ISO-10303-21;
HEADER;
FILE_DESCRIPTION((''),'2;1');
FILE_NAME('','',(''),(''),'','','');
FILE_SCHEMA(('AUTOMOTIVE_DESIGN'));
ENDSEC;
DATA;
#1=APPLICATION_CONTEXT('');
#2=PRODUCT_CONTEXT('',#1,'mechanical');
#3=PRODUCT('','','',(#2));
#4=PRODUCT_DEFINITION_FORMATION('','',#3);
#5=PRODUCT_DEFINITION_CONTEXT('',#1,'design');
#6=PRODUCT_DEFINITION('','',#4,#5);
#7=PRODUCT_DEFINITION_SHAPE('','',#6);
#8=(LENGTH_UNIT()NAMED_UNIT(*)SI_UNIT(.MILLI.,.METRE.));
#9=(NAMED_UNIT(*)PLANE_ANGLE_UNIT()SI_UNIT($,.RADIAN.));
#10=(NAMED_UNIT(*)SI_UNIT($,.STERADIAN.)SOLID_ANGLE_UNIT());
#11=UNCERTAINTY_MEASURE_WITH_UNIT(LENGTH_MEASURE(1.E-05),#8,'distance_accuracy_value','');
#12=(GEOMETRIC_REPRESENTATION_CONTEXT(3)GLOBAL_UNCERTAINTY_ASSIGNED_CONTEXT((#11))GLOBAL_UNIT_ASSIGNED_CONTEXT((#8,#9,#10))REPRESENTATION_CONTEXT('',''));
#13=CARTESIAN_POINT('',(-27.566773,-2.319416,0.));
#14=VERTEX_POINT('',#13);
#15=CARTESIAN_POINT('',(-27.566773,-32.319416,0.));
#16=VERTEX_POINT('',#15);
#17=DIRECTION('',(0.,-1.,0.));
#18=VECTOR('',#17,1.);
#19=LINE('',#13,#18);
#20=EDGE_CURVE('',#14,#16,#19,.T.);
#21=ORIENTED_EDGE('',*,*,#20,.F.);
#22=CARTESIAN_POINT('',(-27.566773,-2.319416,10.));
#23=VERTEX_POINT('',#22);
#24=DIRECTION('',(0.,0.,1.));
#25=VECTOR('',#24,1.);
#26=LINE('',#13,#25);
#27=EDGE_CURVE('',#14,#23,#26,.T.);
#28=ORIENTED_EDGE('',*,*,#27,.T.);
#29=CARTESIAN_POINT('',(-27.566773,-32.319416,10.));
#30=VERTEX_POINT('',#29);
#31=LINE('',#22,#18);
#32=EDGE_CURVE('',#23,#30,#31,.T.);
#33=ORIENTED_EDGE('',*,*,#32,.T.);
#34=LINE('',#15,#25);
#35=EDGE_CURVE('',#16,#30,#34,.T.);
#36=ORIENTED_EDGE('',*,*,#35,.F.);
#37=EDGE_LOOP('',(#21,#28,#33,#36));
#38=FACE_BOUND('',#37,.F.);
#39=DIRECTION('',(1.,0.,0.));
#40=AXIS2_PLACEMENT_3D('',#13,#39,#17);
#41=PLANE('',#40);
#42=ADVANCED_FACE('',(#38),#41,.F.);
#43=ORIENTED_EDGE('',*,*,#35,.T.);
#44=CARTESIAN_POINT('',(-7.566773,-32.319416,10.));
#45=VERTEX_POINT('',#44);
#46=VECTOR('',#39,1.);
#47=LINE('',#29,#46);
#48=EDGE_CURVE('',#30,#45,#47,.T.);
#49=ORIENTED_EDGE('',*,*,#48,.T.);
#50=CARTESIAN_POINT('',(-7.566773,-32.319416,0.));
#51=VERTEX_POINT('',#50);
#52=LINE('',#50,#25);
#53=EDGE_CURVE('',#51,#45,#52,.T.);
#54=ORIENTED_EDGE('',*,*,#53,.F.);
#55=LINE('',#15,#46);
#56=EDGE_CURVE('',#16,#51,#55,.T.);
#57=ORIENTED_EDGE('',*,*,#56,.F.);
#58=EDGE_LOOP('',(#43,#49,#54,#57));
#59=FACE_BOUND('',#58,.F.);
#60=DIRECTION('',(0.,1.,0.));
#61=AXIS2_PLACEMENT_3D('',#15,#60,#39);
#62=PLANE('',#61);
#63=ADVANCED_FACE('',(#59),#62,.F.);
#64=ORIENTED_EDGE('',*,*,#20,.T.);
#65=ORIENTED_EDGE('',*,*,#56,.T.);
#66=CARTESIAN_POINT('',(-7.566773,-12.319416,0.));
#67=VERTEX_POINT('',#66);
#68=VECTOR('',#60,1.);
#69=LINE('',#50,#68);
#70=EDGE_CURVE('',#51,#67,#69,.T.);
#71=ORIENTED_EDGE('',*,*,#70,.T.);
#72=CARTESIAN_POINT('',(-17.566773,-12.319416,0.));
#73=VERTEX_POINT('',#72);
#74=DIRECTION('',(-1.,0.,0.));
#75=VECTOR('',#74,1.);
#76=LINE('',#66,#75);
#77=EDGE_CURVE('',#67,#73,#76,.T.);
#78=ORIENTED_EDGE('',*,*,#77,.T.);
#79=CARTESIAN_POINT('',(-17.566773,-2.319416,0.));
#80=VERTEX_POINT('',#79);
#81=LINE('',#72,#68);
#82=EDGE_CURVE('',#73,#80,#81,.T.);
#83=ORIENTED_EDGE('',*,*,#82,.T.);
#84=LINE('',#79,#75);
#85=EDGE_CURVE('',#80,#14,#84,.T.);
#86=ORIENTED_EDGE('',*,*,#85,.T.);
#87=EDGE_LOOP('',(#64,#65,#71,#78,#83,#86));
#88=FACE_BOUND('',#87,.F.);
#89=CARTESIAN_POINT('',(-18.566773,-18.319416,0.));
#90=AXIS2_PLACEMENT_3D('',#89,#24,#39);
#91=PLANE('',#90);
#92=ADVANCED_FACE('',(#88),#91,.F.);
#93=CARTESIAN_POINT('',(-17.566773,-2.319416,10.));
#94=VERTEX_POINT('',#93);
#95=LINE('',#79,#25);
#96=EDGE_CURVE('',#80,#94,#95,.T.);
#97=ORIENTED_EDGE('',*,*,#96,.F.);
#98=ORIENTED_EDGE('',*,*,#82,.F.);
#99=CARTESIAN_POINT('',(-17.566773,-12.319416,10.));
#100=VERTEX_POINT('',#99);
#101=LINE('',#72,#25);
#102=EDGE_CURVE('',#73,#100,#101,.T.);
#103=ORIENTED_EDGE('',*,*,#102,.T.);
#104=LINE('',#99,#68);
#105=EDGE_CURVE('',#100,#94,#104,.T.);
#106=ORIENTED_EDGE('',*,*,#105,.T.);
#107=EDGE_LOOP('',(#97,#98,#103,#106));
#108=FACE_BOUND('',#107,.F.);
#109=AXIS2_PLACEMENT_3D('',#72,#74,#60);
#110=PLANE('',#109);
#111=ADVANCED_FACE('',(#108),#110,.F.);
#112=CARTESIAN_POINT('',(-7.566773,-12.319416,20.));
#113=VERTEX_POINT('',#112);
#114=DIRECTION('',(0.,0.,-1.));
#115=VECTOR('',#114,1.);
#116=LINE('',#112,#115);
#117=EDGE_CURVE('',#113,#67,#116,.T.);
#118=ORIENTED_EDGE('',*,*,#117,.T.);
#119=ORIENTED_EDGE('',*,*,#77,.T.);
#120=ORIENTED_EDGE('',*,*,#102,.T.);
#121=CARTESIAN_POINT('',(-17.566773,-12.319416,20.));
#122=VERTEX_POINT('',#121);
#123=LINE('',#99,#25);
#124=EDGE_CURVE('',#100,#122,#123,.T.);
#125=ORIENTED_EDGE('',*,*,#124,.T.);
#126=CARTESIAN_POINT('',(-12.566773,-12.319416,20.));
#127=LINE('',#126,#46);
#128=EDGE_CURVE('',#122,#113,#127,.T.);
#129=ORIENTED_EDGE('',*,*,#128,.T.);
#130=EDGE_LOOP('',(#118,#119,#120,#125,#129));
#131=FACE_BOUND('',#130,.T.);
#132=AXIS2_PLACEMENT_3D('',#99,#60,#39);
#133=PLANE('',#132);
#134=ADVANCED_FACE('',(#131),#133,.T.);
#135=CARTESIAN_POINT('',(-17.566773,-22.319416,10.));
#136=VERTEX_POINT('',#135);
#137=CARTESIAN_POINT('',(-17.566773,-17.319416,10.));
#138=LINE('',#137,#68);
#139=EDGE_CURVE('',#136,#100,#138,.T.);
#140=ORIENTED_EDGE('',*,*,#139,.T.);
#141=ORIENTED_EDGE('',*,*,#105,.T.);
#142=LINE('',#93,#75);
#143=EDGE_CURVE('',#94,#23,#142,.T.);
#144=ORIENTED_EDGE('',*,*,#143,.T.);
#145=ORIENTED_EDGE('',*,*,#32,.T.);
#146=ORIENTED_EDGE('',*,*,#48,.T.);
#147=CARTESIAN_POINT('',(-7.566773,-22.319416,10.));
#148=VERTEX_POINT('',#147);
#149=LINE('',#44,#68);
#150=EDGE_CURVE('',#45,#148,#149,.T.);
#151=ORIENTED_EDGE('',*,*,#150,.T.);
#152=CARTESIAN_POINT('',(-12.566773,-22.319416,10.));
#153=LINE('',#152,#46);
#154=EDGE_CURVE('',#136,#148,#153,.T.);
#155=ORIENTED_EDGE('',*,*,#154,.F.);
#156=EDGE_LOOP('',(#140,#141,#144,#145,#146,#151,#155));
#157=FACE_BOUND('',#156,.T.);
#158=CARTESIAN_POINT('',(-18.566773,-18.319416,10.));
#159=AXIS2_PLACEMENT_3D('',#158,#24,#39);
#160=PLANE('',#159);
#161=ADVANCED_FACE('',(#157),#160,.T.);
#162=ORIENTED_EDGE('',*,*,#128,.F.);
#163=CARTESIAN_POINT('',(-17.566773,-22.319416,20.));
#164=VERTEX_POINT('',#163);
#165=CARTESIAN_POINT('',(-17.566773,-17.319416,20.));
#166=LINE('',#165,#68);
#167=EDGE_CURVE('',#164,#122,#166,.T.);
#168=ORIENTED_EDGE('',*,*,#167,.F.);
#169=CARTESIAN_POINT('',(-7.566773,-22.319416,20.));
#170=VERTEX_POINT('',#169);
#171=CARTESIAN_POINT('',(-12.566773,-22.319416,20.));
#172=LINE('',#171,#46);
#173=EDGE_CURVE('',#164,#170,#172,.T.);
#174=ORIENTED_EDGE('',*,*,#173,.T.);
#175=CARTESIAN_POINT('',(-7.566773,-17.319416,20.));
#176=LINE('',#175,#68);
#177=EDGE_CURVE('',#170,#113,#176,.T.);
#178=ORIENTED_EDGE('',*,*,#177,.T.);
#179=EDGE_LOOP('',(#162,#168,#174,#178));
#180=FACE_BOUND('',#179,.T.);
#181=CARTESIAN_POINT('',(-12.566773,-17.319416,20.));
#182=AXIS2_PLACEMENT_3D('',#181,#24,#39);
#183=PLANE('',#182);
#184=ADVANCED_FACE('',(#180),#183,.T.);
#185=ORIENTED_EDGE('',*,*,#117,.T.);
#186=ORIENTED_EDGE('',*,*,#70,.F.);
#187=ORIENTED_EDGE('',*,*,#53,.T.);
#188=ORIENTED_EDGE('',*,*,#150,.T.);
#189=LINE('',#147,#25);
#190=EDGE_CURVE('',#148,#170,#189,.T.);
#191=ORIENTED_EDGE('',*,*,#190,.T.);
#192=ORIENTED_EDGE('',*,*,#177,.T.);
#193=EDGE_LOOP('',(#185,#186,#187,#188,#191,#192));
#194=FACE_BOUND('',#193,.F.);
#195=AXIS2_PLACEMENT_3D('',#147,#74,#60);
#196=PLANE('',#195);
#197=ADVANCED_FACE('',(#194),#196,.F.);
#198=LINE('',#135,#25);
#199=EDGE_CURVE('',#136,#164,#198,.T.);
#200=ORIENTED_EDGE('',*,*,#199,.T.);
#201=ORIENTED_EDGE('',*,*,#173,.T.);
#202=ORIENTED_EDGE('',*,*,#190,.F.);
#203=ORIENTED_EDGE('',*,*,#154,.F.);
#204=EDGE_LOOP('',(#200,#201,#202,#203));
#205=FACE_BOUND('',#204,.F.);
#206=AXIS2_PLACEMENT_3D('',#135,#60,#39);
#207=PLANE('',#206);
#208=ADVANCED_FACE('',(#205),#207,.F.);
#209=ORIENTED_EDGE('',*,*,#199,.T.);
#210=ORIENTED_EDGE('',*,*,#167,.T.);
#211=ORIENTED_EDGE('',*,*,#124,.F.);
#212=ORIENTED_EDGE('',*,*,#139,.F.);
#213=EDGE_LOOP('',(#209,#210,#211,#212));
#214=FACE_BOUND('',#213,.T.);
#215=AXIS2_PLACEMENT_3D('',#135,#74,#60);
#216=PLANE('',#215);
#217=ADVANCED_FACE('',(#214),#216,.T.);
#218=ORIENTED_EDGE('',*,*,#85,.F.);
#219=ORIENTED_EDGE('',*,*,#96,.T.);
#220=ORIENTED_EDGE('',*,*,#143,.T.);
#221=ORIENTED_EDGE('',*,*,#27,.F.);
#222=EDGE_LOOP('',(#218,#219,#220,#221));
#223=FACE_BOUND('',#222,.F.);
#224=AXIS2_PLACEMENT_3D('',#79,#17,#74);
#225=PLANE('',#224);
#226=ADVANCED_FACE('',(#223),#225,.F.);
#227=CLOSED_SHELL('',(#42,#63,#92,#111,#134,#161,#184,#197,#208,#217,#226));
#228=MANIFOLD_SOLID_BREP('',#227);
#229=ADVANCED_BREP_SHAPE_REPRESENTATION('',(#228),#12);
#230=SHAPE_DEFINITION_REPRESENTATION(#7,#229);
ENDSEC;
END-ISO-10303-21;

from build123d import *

# Parameters (mm, degrees)
F1_DEPTH = 10
F2_W     = 10
F2_H     = 10
F3_DEPTH = 10


with BuildPart() as f1:
    # F0 (on Top) → F1 (new body)
    with BuildSketch(Plane.XY):
        Polygon((-25.733888, -2.319416), (-27.566773, -2.319416), (-27.566773, -32.319416), (-7.566773, -32.319416), (-7.566773, -12.319416), (-17.566773, -12.319416), (-17.566773, -2.319416), align=None)
    extrude(amount=F1_DEPTH)

    # F2 (on face) → F3 (join)
    with BuildSketch(Plane.XY.offset(10)):
        with Locations((-12.566773, -17.319416)):
            Rectangle(F2_W, F2_H)
    extrude(amount=F3_DEPTH)


solid = f1.part
